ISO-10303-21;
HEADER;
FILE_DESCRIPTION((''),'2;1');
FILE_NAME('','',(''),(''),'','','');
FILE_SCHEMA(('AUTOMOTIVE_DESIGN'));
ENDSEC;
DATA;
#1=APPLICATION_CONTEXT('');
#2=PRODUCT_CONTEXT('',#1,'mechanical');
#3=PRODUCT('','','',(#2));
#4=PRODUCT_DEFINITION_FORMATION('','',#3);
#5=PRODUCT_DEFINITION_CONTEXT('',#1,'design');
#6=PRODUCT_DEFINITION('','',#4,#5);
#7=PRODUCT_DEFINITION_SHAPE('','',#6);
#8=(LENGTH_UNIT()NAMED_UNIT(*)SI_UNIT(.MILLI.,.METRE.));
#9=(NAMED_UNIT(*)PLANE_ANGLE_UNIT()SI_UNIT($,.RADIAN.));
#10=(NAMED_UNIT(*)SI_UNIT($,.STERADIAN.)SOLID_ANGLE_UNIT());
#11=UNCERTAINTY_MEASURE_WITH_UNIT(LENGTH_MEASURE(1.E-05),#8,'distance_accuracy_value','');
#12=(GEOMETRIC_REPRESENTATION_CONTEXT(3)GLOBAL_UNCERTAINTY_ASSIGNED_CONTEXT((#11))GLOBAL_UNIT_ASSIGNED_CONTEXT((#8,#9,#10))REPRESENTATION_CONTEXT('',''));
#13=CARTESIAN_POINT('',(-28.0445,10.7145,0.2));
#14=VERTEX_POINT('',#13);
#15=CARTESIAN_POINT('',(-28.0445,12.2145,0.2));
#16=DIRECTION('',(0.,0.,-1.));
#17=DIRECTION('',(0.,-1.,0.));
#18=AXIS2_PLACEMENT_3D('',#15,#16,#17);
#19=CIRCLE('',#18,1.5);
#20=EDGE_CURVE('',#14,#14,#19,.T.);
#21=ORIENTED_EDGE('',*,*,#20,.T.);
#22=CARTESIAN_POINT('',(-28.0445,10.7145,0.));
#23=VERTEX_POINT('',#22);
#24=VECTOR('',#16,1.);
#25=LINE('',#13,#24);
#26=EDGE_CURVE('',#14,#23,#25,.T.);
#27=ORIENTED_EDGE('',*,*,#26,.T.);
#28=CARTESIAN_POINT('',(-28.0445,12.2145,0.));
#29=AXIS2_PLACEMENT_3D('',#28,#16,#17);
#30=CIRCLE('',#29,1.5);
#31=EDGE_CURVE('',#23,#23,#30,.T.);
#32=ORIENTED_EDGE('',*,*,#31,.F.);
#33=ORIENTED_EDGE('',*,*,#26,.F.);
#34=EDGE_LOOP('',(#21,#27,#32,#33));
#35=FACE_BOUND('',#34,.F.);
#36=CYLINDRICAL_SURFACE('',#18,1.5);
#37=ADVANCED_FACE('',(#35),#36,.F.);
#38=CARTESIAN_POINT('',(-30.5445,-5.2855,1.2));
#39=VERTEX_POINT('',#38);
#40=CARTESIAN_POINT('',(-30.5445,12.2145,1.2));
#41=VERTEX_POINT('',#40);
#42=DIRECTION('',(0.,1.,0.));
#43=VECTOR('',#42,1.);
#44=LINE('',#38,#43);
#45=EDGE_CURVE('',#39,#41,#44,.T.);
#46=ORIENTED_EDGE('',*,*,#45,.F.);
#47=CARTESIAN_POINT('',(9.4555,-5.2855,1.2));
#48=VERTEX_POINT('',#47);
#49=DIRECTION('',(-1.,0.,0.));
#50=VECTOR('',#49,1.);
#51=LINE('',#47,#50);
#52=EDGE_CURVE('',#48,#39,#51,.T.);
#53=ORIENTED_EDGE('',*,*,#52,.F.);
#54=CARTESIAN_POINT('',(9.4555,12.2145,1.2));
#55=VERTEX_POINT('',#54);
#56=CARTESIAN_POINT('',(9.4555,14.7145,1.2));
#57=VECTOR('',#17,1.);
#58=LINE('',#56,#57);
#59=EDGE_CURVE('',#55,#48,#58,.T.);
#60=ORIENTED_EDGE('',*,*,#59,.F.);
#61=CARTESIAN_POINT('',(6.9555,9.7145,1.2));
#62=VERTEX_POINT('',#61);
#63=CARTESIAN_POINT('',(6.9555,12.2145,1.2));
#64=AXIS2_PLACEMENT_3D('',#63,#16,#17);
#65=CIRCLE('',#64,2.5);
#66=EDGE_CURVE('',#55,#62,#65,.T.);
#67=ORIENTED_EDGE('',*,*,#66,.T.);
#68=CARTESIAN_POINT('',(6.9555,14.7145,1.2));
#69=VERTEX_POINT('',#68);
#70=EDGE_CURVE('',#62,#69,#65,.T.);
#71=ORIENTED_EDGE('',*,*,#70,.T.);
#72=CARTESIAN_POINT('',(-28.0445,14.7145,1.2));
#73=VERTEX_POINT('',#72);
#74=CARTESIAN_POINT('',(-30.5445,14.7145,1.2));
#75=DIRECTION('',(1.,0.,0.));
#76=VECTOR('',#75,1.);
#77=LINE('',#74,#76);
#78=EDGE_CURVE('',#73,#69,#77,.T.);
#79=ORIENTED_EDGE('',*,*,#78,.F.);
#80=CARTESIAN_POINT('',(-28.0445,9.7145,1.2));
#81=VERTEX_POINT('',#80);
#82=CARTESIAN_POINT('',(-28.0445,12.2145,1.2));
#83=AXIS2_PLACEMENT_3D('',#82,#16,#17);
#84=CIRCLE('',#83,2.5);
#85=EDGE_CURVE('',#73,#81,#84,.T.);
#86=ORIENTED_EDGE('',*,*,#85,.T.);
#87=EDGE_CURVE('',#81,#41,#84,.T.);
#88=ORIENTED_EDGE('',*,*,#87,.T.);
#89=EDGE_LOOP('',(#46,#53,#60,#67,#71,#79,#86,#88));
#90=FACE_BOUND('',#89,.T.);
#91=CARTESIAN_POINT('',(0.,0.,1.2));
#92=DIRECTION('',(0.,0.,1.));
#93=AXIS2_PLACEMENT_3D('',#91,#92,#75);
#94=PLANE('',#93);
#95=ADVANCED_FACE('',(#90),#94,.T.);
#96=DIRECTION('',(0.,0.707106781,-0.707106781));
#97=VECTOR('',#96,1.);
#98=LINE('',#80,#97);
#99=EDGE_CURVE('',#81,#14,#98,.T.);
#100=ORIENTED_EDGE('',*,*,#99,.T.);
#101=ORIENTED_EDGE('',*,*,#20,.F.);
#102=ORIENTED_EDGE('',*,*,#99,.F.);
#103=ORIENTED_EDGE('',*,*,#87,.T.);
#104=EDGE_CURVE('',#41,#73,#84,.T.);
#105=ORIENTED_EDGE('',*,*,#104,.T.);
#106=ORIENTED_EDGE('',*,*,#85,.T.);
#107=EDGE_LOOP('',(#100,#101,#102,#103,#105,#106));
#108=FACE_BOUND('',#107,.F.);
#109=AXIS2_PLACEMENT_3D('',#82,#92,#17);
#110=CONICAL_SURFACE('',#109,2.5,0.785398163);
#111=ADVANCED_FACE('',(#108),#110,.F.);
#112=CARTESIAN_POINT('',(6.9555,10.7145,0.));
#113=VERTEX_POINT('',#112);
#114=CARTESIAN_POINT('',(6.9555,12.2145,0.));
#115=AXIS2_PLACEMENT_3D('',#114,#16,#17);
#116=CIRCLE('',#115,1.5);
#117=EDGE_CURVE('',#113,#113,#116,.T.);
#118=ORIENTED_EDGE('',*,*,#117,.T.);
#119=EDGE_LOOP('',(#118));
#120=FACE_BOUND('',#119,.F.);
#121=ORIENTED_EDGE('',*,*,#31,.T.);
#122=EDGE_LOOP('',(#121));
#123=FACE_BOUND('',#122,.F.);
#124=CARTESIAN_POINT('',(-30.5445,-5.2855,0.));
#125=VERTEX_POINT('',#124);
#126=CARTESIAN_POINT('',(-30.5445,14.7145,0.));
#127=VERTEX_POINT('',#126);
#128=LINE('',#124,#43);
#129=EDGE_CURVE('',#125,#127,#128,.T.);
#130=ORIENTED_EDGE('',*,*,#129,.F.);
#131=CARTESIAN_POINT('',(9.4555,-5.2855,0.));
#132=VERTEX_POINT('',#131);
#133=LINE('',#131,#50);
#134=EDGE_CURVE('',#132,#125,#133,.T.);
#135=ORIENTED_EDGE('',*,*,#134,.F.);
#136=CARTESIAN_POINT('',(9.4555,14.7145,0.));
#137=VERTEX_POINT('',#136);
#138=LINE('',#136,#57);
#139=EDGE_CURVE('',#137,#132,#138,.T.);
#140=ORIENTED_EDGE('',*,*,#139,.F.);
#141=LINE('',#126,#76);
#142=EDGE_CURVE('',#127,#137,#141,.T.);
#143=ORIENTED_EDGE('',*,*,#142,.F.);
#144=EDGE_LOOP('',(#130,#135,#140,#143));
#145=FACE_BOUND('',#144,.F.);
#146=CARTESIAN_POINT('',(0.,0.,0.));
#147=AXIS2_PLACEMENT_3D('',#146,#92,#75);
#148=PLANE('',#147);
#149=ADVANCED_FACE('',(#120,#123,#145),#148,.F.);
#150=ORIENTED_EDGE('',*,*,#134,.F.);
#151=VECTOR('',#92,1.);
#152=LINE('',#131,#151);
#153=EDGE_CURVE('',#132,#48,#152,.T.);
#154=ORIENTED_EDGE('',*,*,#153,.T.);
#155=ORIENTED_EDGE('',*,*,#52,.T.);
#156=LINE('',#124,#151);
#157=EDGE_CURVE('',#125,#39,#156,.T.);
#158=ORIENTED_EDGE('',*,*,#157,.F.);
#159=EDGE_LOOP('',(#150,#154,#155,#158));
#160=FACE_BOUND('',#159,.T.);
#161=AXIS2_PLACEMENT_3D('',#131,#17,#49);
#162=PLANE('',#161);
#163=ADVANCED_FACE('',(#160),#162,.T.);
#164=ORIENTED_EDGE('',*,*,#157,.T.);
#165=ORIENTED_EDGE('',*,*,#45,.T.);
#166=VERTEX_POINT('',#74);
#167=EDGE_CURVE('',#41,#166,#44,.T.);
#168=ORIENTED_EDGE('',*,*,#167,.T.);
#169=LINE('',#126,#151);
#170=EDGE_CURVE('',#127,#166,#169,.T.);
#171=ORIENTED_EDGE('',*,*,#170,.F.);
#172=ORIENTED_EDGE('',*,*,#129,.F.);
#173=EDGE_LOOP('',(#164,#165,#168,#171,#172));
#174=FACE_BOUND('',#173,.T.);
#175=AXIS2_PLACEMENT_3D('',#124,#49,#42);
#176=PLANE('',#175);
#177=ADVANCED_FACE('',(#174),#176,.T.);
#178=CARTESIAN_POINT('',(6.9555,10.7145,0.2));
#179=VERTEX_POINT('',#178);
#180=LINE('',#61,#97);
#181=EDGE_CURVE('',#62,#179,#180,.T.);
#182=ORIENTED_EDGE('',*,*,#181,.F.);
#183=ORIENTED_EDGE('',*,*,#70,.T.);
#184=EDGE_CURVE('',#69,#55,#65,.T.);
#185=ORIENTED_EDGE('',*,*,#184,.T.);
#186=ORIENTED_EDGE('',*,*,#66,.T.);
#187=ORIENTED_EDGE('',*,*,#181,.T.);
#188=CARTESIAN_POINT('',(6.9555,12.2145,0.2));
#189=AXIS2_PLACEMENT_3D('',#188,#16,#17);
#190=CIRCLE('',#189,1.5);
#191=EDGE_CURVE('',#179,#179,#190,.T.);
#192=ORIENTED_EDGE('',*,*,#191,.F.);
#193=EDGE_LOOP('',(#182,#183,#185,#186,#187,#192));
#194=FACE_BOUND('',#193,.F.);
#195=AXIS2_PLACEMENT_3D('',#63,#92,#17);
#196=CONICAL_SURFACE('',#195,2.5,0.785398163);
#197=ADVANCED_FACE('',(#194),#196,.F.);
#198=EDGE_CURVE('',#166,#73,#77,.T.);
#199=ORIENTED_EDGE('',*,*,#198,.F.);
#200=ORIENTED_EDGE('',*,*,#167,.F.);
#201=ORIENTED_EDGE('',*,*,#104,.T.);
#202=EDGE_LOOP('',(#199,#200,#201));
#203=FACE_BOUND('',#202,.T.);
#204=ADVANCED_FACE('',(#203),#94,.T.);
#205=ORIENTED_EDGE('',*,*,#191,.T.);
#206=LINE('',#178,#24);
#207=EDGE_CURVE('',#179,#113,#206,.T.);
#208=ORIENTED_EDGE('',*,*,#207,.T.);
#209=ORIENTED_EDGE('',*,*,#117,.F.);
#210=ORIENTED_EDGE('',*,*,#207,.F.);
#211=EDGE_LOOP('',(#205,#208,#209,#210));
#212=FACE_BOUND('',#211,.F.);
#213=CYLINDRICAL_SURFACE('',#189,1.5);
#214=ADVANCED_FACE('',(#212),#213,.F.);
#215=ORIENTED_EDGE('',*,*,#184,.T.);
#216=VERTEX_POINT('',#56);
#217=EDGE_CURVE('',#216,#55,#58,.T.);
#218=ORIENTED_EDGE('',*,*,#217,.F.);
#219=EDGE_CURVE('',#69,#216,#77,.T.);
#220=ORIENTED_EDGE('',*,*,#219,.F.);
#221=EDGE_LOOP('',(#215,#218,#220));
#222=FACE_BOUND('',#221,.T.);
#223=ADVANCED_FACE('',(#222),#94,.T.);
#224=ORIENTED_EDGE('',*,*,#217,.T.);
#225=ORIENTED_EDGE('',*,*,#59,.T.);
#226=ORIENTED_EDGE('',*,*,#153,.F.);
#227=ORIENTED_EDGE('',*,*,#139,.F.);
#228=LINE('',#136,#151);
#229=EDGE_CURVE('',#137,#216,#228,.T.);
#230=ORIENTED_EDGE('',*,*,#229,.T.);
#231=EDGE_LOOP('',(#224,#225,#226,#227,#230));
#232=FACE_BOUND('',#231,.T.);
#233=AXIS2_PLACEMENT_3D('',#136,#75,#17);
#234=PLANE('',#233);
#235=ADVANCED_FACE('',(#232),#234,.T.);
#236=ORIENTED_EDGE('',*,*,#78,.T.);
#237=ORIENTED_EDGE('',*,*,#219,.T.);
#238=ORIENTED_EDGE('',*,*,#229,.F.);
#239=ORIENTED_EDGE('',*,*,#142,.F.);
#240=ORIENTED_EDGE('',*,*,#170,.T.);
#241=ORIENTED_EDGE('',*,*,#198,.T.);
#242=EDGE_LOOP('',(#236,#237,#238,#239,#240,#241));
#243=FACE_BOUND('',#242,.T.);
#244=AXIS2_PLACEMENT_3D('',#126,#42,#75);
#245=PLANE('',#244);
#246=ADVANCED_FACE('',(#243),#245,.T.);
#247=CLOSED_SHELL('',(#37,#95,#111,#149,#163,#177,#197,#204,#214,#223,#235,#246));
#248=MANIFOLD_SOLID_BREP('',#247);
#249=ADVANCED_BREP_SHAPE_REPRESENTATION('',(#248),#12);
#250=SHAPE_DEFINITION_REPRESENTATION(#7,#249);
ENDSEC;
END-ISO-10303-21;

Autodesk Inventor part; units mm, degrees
ref_plane "YZ Plane" through (0, 0, 0) normal (1, 0, 0) x (0, 1, 0)
ref_plane "XZ Plane" through (0, 0, 0) normal (0, 1, 0) x (-1, 0, 0)
ref_plane "XY Plane" through (0, 0, 0) normal (0, 0, 1) x (1, 0, 0)
sketch "Sketch1" plane through (0, 0, 0) normal (0, 0, 1) x (1, 0, 0)
  line L0 (-30.5445, 14.7145) -> (9.4555, 14.7145)
  line L1 (9.4555, 14.7145) -> (9.4555, -5.2855)
  line L2 (9.4555, -5.2855) -> (-30.5445, -5.2855)
  line L3 (-30.5445, -5.2855) -> (-30.5445, 14.7145)
  point P0 (0, 0)
  dimension "d0" = 40
  dimension "d1" = 20
extrude "Extrusion1" add sketch "Sketch1" along normal blind 1.2
sketch "Sketch2" plane through (0, 0, 1.2) normal (0, 0, 1) x (1, 0, 0)
  line L0 (-30.5445, 14.7145) -> (9.4555, 14.7145) projected
  line L1 (-30.5445, -5.2855) -> (-30.5445, 14.7145) projected
  line L2 (9.4555, 14.7145) -> (9.4555, -5.2855) projected
  point P0 (0, 0)
  point P1 (-28.0445, 12.2145)
  point P2 (6.9555, 12.2145)
  dimension "d4" = 2.5
  dimension "d5" = 2.5
  dimension "d6" = 2.5
  dimension "d7" = 2.5
hole "Hole1" at (-28.0445, 12.2145, 1.2) at (6.9555, 12.2145, 1.2) direction (0, 0, -1) diameter 3 depth 8 tip angle 118 countersink diameter 5 countersink angle 90
properties part number "Back"
